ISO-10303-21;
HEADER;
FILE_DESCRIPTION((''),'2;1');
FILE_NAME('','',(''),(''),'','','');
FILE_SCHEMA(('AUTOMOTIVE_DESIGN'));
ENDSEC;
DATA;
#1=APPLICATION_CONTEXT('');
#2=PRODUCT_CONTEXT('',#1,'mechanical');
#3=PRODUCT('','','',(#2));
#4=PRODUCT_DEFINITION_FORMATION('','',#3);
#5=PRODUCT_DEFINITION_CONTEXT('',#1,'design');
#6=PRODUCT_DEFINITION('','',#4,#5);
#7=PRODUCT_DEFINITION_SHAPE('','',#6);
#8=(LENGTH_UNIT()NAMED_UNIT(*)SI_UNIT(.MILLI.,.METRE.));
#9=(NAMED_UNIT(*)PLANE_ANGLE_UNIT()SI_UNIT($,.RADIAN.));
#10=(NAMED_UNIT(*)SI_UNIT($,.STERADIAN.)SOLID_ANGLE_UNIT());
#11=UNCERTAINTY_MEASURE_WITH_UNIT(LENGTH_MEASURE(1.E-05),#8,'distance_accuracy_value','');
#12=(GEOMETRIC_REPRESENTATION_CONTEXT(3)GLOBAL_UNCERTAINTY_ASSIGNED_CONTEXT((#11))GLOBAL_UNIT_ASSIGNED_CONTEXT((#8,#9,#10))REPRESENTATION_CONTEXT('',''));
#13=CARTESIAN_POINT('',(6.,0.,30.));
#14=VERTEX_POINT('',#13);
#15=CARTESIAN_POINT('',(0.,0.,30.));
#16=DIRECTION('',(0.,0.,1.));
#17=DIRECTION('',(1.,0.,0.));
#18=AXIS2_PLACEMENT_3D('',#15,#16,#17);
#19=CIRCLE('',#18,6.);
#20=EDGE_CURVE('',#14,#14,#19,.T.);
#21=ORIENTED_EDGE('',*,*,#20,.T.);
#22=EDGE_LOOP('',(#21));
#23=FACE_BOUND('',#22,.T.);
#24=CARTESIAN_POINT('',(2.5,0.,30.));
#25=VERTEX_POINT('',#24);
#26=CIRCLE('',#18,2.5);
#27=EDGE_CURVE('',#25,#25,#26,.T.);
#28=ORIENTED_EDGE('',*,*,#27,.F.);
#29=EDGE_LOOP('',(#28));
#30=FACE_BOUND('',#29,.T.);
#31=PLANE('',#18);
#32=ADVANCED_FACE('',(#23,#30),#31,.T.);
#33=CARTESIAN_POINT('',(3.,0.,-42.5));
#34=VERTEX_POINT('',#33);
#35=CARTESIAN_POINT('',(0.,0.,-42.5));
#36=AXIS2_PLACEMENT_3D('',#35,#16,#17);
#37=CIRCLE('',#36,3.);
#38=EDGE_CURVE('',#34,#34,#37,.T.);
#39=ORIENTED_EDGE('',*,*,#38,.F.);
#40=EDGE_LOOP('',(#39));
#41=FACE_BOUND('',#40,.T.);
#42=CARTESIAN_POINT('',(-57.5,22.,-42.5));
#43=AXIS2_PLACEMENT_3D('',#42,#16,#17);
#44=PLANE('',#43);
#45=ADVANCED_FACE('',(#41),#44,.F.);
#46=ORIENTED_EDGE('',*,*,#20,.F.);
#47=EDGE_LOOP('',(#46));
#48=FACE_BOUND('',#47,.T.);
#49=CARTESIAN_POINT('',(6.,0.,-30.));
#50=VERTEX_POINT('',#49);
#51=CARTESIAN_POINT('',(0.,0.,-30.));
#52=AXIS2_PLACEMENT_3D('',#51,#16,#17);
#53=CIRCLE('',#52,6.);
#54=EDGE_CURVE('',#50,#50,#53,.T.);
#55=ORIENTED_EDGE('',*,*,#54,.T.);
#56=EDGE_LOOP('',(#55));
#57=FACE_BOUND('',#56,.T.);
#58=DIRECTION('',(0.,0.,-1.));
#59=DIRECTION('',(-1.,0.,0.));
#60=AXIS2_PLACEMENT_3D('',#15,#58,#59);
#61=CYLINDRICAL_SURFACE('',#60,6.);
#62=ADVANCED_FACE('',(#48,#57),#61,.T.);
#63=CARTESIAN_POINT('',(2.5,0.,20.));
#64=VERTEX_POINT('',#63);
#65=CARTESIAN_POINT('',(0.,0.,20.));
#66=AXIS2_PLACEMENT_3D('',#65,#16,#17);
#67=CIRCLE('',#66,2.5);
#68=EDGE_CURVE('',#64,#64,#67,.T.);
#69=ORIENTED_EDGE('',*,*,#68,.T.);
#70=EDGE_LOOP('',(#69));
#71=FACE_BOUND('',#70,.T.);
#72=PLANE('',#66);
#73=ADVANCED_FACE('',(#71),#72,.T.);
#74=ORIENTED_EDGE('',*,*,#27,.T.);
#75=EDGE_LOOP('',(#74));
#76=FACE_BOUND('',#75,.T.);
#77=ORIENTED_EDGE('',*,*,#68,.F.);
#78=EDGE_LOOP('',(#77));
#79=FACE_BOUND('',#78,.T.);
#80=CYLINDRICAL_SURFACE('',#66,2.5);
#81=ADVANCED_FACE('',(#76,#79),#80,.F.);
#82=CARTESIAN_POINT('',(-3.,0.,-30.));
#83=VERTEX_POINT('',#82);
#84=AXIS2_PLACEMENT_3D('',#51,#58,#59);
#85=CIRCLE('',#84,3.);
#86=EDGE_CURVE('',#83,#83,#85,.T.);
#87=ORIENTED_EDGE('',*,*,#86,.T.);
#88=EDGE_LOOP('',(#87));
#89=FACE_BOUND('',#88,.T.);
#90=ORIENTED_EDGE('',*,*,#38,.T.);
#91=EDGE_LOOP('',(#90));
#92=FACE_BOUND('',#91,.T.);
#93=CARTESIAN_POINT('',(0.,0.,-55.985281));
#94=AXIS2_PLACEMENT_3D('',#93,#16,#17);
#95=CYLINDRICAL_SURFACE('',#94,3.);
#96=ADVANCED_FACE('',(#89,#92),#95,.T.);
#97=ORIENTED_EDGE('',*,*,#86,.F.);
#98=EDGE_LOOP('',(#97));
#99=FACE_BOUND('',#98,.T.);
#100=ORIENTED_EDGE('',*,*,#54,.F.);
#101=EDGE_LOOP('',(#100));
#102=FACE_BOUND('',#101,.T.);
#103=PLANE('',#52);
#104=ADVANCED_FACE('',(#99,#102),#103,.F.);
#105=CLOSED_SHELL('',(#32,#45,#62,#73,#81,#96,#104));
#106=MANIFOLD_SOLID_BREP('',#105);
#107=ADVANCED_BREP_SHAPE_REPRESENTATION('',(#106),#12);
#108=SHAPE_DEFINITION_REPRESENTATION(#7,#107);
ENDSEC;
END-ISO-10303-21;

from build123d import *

# Parameters (mm, degrees)
SKETCH_1_R          = 6
EXTRUDE_1_DEPTH     = 30
SKETCH_2_R          = 3
EXTRUDE_2_DEPTH     = 12.5
SKETCH_4_R          = 2.5
CUT_EXTRUDE_1_DEPTH = 10


with BuildPart() as part:
    # 草图1 → 凸台-拉伸1 (new, symmetric)
    with BuildSketch(Plane.XY):
        Circle(SKETCH_1_R)
    extrude(amount=EXTRUDE_1_DEPTH, both=True)

    # 草图2 → 凸台-拉伸2 (add)
    with BuildSketch(Plane(origin=(0, 0, -30), x_dir=(-1, 0, 0), z_dir=(0, 0, -1))):
        with Locations(Location((0, 0, 0), (0, 0, 180))):
            Circle(SKETCH_2_R)
    extrude(amount=EXTRUDE_2_DEPTH)

    # 草图4 → 切除-拉伸1 (cut)
    with BuildSketch(Plane.XY.offset(30)):
        Circle(SKETCH_4_R)
    extrude(amount=-CUT_EXTRUDE_1_DEPTH, mode=Mode.SUBTRACT)


solid = part.part
